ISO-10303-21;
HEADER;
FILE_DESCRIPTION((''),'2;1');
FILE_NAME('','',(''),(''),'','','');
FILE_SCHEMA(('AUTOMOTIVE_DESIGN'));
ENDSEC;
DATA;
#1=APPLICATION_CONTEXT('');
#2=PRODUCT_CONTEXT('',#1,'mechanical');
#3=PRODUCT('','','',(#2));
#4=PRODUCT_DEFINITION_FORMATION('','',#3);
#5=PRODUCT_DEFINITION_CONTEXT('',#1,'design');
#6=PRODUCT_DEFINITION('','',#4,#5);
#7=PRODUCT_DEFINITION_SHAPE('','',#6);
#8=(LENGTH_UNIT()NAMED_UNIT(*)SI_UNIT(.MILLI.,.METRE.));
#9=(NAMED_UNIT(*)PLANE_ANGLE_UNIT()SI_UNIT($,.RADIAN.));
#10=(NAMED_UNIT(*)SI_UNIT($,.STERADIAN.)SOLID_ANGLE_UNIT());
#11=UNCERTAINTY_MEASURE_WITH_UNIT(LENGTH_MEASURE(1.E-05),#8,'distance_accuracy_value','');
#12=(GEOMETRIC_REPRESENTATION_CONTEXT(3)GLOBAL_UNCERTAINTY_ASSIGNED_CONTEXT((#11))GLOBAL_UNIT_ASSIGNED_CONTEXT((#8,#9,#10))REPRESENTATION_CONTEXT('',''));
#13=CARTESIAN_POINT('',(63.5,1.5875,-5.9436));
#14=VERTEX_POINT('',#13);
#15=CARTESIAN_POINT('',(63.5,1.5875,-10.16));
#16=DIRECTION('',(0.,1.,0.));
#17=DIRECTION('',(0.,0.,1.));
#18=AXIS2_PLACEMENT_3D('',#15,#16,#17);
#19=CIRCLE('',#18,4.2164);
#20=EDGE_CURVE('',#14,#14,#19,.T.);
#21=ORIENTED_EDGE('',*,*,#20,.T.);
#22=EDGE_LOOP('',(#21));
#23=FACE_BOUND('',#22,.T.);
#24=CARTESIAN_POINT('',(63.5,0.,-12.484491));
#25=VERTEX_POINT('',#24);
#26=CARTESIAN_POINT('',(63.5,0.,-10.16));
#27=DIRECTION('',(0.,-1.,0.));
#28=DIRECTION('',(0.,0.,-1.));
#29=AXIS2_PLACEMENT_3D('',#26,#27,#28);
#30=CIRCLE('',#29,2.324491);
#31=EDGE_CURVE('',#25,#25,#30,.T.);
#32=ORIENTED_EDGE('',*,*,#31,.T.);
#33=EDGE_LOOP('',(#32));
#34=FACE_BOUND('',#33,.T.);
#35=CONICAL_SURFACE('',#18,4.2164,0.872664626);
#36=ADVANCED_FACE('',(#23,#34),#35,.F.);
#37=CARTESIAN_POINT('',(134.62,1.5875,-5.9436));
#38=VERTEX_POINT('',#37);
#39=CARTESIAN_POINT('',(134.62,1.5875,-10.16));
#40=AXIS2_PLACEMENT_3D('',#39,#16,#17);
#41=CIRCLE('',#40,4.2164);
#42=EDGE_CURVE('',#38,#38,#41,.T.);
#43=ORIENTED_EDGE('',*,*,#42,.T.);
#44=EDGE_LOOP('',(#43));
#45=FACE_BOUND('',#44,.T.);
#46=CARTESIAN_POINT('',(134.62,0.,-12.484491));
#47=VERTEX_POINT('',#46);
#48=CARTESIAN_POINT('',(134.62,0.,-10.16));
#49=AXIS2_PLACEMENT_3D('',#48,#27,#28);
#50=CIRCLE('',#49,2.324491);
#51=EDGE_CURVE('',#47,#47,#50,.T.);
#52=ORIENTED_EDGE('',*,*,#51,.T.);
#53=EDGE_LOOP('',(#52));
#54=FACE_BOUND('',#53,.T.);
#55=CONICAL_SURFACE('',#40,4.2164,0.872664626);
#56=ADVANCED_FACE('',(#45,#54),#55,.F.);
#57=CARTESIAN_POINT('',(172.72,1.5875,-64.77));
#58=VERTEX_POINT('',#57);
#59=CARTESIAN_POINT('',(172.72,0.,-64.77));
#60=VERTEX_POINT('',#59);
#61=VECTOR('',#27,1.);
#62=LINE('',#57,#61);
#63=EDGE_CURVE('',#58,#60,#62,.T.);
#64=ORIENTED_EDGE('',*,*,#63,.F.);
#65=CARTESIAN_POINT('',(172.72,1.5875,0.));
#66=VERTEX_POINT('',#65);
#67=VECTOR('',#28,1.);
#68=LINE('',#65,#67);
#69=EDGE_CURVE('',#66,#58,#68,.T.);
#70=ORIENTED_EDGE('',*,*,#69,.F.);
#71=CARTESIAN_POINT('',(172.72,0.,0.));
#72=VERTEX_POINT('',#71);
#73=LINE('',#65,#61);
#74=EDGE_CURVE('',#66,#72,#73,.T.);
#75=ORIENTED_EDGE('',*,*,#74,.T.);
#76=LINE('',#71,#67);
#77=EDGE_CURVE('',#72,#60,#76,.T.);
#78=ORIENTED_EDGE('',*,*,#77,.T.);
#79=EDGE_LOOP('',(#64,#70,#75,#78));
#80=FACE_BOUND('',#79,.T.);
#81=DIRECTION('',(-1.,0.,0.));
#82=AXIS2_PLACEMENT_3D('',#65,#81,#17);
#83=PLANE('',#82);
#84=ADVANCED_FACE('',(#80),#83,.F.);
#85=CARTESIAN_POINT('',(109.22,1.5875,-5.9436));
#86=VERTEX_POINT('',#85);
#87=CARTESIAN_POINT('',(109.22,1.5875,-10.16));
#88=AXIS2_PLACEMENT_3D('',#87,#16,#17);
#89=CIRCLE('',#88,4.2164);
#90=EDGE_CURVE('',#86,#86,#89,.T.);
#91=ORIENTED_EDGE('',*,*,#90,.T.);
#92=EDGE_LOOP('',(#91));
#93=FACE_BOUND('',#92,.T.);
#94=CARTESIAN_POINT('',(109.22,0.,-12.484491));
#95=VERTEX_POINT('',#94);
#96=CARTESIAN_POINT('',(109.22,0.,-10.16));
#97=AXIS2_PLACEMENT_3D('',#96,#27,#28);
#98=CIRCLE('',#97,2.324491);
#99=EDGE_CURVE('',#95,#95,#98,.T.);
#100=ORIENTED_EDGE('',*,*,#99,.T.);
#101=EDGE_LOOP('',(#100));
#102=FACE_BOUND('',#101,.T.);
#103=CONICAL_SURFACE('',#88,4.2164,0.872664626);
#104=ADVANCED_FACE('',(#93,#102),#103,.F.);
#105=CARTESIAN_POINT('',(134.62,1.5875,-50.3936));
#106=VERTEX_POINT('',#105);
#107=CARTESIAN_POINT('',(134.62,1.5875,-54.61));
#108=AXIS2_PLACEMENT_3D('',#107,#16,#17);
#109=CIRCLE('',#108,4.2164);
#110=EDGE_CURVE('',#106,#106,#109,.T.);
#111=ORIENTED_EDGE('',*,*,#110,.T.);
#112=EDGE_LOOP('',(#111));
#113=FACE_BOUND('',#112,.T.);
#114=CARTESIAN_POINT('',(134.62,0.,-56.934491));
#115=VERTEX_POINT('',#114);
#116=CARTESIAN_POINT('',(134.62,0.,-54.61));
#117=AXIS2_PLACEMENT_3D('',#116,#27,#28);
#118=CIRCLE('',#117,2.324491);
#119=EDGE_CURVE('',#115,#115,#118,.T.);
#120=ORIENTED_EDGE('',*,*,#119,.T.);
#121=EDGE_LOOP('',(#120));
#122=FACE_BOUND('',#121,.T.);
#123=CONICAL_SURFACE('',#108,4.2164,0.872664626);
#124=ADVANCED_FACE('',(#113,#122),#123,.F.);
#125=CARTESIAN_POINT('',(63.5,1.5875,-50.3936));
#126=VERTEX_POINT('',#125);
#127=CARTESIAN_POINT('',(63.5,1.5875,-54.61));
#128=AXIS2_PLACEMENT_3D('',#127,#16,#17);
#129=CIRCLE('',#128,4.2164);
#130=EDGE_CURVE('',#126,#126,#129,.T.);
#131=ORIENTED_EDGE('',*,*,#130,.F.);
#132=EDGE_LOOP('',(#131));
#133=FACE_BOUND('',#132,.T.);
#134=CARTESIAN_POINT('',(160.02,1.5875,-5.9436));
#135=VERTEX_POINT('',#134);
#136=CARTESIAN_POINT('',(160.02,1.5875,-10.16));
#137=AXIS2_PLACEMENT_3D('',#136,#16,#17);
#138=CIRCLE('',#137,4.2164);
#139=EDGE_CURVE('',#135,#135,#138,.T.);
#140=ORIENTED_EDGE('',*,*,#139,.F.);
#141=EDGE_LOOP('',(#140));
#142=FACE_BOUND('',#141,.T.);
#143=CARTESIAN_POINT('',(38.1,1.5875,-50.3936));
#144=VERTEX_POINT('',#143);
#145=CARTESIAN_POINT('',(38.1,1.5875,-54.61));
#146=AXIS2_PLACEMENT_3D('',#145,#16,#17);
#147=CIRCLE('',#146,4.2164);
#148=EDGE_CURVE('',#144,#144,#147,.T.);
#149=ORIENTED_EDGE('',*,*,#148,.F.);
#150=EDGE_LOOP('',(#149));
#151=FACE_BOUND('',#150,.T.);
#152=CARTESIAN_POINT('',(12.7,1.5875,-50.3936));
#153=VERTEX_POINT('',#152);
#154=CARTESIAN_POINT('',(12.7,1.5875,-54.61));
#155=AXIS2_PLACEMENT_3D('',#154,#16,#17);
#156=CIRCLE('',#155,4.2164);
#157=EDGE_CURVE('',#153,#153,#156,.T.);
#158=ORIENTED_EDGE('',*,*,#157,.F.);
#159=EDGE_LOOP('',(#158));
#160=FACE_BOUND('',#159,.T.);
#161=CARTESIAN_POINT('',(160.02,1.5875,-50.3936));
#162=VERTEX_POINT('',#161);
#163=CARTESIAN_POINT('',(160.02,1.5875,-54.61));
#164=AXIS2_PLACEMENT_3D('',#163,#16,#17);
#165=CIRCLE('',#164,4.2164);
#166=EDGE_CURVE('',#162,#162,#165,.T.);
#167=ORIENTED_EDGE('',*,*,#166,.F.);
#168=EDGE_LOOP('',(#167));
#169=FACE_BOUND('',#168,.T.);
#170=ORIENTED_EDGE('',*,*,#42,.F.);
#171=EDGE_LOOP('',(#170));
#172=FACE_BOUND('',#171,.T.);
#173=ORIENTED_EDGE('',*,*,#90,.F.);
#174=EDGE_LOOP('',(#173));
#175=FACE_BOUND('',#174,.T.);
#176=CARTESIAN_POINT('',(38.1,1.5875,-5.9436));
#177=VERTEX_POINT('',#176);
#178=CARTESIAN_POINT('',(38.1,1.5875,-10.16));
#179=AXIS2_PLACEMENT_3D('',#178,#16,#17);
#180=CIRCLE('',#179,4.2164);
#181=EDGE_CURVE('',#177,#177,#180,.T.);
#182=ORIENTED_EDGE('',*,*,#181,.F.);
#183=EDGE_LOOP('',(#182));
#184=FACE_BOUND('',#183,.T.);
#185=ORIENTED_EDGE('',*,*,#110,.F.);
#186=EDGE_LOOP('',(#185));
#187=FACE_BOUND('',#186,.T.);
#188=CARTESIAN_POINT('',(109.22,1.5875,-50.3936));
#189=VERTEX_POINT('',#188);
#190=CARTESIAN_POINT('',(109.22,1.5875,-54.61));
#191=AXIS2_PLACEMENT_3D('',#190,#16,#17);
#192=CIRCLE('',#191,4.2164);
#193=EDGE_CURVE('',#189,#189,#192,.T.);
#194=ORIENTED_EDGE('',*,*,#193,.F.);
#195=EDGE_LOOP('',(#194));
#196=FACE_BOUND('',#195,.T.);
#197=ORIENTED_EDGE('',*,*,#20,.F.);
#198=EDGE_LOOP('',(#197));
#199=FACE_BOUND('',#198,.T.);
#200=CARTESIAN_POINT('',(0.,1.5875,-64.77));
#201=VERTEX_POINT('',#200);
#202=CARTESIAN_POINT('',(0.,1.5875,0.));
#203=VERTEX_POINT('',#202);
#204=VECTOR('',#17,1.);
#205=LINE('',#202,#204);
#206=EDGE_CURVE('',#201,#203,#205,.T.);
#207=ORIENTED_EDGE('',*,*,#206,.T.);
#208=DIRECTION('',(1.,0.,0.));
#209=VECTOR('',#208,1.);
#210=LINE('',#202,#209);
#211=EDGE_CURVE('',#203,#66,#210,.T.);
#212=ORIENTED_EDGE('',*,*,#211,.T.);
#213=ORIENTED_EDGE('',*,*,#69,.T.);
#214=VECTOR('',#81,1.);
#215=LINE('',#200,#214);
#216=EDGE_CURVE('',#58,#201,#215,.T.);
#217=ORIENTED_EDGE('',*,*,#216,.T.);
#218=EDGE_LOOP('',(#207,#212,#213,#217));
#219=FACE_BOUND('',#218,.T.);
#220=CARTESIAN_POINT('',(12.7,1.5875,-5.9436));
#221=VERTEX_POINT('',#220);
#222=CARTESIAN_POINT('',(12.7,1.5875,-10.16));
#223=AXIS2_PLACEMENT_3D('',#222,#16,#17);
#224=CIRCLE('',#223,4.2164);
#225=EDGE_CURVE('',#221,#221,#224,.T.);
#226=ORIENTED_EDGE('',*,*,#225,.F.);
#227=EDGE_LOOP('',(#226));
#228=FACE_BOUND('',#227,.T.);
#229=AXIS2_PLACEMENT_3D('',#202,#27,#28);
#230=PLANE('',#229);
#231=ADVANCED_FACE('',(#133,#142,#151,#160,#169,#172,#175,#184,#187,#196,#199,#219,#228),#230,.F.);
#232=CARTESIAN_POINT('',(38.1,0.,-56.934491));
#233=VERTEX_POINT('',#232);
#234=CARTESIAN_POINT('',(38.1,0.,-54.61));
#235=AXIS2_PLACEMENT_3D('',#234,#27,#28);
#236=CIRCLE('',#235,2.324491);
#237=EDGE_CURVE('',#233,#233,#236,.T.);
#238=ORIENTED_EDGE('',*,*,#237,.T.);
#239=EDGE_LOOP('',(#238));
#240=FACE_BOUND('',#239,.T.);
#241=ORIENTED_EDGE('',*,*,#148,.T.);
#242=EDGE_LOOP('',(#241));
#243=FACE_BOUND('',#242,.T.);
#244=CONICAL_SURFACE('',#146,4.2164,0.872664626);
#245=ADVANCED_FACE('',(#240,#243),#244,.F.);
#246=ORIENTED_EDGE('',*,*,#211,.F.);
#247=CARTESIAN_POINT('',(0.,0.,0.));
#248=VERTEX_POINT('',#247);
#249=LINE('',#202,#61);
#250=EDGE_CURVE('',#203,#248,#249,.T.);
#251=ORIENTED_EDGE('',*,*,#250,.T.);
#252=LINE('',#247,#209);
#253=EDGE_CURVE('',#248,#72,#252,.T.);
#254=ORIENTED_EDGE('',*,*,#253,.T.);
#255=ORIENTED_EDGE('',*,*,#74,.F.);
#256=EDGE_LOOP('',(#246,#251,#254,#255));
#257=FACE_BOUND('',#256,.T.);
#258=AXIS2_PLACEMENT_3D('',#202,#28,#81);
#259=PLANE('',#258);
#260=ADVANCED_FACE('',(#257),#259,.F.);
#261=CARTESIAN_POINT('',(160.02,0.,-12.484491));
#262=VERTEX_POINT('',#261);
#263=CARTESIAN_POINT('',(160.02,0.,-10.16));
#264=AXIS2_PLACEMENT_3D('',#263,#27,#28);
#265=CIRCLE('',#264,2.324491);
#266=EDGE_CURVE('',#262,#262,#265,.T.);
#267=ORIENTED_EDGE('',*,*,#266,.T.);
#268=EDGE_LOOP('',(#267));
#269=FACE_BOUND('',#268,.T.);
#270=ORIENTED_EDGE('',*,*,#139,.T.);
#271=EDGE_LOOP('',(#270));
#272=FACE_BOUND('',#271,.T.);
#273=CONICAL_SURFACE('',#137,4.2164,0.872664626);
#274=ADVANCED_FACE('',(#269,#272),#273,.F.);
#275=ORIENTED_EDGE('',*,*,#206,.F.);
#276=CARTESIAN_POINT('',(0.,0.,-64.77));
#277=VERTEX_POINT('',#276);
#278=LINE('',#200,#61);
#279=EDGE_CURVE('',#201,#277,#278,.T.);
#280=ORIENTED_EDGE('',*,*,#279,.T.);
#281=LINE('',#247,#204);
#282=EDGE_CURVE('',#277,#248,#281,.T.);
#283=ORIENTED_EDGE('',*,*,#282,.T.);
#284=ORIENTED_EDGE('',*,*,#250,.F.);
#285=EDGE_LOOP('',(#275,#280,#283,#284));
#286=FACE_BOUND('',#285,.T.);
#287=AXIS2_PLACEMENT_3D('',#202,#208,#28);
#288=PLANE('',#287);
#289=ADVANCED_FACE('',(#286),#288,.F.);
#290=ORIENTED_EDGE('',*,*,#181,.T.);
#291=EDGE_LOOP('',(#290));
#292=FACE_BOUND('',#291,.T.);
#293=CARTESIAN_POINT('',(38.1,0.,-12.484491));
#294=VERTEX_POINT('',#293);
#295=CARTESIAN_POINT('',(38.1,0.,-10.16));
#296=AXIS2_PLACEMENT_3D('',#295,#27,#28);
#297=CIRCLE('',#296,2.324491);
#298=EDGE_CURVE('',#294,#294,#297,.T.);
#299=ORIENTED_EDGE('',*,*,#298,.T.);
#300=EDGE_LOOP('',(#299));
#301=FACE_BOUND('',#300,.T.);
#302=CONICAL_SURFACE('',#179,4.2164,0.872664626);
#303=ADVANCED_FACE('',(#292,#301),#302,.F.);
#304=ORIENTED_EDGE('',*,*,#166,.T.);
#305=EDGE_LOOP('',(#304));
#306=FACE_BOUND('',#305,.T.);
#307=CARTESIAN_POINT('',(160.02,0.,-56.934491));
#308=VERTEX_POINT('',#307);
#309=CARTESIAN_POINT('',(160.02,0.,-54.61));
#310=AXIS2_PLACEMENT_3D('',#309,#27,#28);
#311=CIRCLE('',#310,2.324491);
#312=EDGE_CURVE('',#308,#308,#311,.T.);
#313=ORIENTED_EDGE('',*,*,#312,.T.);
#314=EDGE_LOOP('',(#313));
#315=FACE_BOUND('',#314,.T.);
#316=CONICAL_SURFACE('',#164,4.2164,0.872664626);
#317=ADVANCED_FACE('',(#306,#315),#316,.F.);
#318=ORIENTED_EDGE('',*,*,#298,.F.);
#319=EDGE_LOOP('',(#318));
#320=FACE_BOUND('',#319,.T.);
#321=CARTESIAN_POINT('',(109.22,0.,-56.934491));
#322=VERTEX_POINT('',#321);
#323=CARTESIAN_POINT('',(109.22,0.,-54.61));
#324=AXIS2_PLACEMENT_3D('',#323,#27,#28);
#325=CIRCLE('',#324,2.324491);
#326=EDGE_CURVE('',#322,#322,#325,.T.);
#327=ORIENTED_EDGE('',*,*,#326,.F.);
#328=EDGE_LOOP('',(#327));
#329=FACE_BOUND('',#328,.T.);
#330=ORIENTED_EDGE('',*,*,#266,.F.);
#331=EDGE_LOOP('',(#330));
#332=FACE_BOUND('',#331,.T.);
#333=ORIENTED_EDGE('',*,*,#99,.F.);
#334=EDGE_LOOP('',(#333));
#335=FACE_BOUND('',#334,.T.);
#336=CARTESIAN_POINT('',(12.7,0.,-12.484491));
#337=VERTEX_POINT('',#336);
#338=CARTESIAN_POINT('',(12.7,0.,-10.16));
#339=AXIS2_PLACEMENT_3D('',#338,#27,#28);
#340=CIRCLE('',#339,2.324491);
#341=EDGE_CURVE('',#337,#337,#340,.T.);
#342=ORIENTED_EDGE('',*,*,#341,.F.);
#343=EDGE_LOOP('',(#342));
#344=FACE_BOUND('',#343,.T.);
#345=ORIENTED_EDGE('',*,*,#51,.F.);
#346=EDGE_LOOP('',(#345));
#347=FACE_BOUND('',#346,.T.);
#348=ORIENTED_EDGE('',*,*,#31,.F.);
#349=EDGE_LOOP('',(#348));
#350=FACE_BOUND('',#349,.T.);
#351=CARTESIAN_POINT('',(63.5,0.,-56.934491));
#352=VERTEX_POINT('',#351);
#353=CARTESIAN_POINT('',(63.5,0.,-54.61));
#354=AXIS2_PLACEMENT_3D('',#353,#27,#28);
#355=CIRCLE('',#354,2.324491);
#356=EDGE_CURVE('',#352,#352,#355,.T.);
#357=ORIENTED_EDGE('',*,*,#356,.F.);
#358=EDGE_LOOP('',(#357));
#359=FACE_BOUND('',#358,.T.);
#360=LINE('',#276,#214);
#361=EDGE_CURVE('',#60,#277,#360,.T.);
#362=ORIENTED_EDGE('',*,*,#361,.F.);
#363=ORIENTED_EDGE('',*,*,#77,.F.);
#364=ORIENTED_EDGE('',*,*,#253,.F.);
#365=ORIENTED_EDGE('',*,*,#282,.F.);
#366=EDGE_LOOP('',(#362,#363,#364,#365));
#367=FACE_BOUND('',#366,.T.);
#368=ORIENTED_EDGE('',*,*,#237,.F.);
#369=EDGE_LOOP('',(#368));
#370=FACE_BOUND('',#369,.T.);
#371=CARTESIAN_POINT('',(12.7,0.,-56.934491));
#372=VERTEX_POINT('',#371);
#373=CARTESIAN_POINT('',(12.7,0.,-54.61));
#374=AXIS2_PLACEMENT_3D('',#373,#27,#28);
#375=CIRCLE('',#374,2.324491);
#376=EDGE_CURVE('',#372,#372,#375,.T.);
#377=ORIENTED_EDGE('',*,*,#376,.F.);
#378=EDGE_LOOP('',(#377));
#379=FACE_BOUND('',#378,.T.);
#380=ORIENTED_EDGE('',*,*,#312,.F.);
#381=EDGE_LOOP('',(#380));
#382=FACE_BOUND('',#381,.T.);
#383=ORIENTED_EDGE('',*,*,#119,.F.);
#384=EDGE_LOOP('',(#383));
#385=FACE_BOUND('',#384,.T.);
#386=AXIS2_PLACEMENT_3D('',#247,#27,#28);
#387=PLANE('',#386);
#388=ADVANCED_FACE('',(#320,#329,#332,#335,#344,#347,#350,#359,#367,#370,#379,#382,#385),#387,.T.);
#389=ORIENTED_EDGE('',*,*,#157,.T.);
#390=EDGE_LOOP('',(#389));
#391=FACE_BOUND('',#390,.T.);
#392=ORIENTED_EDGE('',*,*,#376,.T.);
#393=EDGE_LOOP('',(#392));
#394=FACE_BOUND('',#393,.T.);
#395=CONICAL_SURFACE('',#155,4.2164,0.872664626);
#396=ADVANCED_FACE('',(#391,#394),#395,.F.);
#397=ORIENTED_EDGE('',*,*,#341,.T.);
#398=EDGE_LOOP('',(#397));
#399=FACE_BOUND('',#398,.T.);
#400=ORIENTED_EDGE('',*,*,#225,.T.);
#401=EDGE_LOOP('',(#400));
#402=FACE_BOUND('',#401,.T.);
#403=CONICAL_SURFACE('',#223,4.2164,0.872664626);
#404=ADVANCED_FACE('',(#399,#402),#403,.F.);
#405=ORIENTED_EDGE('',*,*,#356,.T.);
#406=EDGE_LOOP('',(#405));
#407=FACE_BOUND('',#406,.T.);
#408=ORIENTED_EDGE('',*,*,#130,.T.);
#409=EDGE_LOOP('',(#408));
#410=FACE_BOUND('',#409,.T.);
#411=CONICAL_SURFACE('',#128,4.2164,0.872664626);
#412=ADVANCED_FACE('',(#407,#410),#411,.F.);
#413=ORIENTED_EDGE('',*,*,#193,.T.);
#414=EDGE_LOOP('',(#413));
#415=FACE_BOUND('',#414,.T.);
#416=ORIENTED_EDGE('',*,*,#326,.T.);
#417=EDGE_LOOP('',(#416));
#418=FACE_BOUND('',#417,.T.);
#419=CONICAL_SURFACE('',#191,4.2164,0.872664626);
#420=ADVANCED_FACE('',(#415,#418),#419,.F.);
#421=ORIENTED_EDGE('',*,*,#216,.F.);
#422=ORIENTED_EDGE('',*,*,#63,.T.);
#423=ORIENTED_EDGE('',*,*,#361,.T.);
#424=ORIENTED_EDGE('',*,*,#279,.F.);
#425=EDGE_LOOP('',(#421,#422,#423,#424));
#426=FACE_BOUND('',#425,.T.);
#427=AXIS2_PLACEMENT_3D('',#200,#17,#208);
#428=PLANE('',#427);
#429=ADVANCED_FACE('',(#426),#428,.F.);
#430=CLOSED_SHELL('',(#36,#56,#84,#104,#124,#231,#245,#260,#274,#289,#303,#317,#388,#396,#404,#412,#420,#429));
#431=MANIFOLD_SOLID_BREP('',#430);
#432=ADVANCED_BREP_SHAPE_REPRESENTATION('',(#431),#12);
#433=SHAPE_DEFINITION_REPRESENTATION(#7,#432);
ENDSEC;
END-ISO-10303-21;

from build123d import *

# Parameters (mm, degrees)
SKETCH1_W                                         = 172.72
SKETCH1_H                                         = 64.77
BOSS_EXTRUDE1_DEPTH                               = 1.5875
CSK_FOR_8_FLAT_HEAD_MACHINE_SCREW_100_D           = 4.4958
CSK_FOR_8_FLAT_HEAD_MACHINE_SCREW_100_DEPTH       = 12.7
CSK_FOR_8_FLAT_HEAD_MACHINE_SCREW_100_CSINK_D     = 8.4328
CSK_FOR_8_FLAT_HEAD_MACHINE_SCREW_100_CSINK_ANGLE = 100
CSK_FOR_8_FLAT_HEAD_MACHINE_SCREW_100_TIP         = 1.350674586


with BuildPart() as part:
    # Sketch1 → Boss-Extrude1 (new body)
    with BuildSketch(Plane(origin=(0, 0, 0), x_dir=(1, 0, 0), z_dir=(0, 1, 0))):
        with Locations((86.36, 32.385)):
            Rectangle(SKETCH1_W, SKETCH1_H)
    extrude(amount=BOSS_EXTRUDE1_DEPTH)

    # CSK for #8 Flat Head Machine Screw (100)1
    with Locations(Plane(origin=(0, 1.5875, 0), x_dir=(1, 0, 0), z_dir=(0, 1, 0))):
        with Locations((12.7, 54.61), (38.1, 54.61), (63.5, 54.61), (109.22, 54.61), (134.62, 54.61), (160.02, 54.61), (160.02, 10.16), (134.62, 10.16), (109.22, 10.16), (63.5, 10.16), (38.1, 10.16), (12.7, 10.16)):
            CounterSinkHole(CSK_FOR_8_FLAT_HEAD_MACHINE_SCREW_100_D / 2, CSK_FOR_8_FLAT_HEAD_MACHINE_SCREW_100_CSINK_D / 2, depth=CSK_FOR_8_FLAT_HEAD_MACHINE_SCREW_100_DEPTH, counter_sink_angle=CSK_FOR_8_FLAT_HEAD_MACHINE_SCREW_100_CSINK_ANGLE)
            with Locations((0, 0, -(CSK_FOR_8_FLAT_HEAD_MACHINE_SCREW_100_DEPTH + CSK_FOR_8_FLAT_HEAD_MACHINE_SCREW_100_TIP / 2))):  # 118° drill point
                Cone(0, CSK_FOR_8_FLAT_HEAD_MACHINE_SCREW_100_D / 2, CSK_FOR_8_FLAT_HEAD_MACHINE_SCREW_100_TIP, mode=Mode.SUBTRACT)


solid = part.part
